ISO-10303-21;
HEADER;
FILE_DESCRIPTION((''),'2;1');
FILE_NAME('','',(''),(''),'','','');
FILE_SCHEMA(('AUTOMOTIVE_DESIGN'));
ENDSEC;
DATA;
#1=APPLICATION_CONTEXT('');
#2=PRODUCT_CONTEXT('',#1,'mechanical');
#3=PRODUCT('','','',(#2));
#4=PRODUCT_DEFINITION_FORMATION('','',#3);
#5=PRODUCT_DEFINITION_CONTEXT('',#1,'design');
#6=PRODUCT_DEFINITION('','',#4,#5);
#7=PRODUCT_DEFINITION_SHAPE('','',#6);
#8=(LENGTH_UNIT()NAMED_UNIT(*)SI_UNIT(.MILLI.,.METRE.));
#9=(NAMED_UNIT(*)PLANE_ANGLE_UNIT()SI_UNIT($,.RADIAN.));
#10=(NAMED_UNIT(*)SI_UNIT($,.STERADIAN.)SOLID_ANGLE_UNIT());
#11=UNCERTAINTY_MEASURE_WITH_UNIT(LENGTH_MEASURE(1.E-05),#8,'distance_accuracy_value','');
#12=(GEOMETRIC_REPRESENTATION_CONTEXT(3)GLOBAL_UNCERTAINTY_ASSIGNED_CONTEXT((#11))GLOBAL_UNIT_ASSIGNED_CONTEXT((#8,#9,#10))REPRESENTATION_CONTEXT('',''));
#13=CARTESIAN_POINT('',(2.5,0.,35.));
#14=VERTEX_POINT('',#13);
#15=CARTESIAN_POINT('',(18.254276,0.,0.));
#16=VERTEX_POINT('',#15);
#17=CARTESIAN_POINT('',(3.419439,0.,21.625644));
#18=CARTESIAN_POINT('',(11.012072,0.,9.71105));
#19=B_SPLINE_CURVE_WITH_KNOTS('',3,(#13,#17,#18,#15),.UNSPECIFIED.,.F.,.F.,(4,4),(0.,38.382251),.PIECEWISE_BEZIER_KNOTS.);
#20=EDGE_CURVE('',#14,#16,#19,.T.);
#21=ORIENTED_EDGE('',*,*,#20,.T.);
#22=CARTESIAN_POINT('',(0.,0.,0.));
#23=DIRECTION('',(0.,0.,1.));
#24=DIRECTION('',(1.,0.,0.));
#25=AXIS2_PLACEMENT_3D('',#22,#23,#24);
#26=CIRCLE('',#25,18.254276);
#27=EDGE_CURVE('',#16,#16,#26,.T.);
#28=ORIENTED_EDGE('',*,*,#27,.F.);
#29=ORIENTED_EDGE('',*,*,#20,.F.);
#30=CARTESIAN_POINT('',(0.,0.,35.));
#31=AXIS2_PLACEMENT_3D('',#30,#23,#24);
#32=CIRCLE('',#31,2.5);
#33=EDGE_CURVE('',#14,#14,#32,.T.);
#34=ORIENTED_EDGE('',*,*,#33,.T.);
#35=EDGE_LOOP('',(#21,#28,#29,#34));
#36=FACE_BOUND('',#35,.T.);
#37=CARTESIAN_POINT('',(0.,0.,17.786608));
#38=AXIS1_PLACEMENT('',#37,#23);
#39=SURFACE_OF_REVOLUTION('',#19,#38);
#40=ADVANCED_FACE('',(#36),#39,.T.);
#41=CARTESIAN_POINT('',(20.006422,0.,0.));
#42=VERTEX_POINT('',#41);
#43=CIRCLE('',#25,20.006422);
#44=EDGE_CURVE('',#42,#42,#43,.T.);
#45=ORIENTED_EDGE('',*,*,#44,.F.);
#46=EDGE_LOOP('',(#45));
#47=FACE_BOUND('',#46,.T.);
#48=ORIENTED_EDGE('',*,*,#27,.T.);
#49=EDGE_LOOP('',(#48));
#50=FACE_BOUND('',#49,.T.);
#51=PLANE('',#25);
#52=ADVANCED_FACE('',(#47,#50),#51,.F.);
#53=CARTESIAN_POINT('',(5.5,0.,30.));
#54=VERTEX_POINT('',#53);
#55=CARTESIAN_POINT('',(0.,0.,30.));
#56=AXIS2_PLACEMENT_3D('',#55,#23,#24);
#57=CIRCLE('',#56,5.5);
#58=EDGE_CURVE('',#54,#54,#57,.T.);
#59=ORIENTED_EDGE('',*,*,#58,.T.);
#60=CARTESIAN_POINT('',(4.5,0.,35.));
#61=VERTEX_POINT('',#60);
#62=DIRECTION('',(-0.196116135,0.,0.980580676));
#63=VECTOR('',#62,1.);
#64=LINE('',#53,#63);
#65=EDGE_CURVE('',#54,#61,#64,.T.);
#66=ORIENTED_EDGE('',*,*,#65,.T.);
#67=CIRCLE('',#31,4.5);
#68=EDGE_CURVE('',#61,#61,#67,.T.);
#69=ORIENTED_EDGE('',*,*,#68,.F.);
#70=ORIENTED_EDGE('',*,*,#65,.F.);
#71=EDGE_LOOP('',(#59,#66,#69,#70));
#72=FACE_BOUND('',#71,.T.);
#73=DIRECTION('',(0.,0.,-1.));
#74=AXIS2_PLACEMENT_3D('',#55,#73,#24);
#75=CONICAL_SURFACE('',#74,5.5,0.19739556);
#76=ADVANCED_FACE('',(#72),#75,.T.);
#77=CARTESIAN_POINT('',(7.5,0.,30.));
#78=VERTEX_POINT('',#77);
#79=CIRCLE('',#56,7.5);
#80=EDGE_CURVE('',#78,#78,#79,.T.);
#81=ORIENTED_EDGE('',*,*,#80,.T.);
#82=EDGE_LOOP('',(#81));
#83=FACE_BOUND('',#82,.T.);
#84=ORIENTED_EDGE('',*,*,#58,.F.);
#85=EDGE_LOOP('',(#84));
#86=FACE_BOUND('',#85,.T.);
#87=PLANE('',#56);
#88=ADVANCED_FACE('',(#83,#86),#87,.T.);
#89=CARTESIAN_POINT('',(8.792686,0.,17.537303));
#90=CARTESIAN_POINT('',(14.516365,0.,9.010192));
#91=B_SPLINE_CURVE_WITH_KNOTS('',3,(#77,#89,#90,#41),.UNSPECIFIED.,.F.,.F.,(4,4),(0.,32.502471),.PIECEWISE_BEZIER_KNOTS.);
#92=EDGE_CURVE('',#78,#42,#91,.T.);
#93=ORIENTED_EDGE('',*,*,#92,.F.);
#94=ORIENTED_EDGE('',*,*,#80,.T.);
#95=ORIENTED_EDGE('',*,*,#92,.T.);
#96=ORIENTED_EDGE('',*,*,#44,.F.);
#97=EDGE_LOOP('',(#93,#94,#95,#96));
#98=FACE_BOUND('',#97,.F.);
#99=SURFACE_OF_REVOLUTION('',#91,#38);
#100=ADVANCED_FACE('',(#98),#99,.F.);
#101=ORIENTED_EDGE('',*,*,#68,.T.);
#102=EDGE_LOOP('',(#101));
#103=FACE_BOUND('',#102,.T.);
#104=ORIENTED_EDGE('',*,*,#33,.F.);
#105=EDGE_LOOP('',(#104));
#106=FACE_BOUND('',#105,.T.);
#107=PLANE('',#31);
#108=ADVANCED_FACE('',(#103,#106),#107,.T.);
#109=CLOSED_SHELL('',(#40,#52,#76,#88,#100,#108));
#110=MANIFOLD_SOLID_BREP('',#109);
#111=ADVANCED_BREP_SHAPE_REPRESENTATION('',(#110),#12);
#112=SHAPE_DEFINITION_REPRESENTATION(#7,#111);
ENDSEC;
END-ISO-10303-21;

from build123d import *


with BuildPart() as f2:
    # F0 (on Front) → F2 (revolve)
    with BuildSketch(Plane.XZ):
        with BuildLine():
            add(Edge.make_bspline(
                [(7.5, 30), (8.792686, 17.537303), (14.516365, 9.010192), (20.006422, 0)],
                knots=[0, 0, 0, 0, 32.502471, 32.502471, 32.502471, 32.502471], degree=3))
            Line((7.5, 30), (5.5, 30))
            Line((5.5, 30), (4.5, 35))
            Line((4.5, 35), (2.5, 35))
            add(Edge.make_bspline(
                [(2.5, 35), (3.419439, 21.625644), (11.012072, 9.71105), (18.254276, 0)],
                knots=[0, 0, 0, 0, 38.382251, 38.382251, 38.382251, 38.382251], degree=3))
            Line((18.254276, 0), (20.006422, 0))
        make_face()
    revolve(axis=Axis((0, 0, 17.786608), (0, 0, 1)))


solid = f2.part
